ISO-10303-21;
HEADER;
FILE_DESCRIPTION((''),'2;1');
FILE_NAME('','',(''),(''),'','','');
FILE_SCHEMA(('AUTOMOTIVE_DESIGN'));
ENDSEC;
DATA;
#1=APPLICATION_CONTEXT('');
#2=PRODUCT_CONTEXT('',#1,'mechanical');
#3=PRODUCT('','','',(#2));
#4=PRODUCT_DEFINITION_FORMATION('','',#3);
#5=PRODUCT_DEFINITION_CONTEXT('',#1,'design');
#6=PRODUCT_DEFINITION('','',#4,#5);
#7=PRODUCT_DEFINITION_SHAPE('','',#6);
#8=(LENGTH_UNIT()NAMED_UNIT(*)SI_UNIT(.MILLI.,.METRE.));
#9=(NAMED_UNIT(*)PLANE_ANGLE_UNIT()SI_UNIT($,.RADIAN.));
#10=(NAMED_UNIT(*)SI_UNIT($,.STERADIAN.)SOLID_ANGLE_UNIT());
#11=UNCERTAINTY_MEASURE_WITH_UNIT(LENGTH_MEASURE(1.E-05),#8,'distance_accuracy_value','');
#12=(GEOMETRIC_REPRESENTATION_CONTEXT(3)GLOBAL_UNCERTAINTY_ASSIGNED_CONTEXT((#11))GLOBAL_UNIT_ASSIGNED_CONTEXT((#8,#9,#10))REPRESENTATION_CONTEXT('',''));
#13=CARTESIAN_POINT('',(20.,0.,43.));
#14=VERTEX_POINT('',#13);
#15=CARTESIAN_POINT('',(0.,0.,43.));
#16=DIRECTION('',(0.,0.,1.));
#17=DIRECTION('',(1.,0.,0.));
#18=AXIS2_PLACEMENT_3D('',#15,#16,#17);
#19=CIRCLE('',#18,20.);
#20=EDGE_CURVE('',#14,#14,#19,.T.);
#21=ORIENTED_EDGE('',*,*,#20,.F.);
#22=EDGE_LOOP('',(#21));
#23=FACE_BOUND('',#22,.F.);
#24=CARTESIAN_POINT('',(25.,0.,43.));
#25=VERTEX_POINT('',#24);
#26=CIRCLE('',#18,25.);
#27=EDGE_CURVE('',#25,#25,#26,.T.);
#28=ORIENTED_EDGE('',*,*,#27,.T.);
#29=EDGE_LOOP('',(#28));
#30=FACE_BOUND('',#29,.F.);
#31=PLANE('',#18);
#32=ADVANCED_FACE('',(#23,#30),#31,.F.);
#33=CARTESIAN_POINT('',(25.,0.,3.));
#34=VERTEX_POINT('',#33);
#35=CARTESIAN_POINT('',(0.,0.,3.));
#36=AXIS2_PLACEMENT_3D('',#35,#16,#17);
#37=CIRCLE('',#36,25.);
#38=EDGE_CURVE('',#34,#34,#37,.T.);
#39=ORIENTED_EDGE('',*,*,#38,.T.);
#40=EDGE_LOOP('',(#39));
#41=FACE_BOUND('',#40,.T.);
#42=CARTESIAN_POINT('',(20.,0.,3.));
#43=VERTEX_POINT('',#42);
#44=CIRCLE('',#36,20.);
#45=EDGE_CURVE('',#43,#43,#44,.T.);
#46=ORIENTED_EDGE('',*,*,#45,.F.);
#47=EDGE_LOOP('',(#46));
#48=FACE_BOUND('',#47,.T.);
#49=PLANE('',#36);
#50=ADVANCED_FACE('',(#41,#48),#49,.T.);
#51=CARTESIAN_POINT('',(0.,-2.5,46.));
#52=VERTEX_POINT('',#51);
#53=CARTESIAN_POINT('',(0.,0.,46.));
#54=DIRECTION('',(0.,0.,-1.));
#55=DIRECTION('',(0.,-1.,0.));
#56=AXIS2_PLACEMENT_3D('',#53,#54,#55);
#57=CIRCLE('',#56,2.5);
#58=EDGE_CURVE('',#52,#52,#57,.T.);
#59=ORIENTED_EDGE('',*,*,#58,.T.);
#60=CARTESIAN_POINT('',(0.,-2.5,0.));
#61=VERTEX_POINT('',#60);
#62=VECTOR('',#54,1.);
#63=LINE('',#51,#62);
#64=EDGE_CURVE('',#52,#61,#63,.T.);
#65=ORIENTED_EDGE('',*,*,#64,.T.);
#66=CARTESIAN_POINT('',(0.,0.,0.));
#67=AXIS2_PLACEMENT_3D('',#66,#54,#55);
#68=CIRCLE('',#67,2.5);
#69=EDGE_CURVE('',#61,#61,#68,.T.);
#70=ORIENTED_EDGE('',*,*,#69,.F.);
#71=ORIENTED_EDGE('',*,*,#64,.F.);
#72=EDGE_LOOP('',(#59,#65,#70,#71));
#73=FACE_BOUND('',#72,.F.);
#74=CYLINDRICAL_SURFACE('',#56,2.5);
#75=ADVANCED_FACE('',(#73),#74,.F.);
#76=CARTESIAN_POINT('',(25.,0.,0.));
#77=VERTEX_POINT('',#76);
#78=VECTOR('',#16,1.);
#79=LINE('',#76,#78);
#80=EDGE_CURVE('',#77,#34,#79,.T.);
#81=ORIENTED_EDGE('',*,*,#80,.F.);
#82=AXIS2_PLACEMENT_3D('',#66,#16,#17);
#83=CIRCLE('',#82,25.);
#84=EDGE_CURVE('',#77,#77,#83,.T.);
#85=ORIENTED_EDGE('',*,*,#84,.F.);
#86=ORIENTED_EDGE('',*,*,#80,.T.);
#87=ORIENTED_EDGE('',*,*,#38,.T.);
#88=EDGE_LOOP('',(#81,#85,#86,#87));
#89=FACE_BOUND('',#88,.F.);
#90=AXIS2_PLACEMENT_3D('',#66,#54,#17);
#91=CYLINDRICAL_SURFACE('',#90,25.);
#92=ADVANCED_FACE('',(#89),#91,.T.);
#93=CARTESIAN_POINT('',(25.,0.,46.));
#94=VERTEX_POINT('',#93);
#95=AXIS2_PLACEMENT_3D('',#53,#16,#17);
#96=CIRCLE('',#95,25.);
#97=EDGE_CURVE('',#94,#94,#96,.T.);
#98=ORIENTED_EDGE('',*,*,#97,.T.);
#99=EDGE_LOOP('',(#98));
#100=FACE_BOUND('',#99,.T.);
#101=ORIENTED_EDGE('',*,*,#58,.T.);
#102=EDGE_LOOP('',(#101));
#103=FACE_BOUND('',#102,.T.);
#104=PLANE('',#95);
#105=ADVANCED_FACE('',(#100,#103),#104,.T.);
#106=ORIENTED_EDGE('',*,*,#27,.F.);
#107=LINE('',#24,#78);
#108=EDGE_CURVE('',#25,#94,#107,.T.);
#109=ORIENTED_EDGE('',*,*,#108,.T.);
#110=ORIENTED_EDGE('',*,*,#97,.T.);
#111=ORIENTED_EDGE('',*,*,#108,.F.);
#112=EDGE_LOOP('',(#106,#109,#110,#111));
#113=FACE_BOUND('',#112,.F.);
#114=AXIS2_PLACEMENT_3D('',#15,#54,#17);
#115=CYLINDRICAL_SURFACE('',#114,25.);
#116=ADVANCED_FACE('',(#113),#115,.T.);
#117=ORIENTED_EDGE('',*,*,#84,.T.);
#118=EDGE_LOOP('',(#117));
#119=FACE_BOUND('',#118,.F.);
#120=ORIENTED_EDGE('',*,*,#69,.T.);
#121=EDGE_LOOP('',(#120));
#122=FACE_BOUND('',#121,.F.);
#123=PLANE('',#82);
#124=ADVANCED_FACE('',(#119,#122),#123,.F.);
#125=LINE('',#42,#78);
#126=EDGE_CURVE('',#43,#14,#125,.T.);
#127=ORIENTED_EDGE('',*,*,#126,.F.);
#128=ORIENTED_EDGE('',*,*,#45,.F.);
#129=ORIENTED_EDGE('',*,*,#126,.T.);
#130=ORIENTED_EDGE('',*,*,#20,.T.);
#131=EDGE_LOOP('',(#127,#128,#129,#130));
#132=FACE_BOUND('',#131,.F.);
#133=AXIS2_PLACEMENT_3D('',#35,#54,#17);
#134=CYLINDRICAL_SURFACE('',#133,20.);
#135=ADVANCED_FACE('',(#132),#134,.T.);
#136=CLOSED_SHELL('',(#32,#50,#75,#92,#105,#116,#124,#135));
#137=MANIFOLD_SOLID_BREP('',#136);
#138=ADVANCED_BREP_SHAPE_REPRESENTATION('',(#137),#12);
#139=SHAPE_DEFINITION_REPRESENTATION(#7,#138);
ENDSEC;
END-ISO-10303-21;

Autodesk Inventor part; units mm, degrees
ref_plane "YZ Plane" through (0, 0, 0) normal (1, 0, 0) x (0, 1, 0)
ref_plane "XZ Plane" through (0, 0, 0) normal (0, 1, 0) x (-1, 0, 0)
ref_plane "XY Plane" through (0, 0, 0) normal (0, 0, 1) x (1, 0, 0)
sketch "スケッチ1" plane through (0, 0, 0) normal (0, 0, 1) x (1, 0, 0)
  circle A0 centre (0, 0) radius 25
  dimension "d0" = 50
extrude "押し出し1" add sketch "スケッチ1" along normal blind 3
sketch "スケッチ2" plane through (0, 0, 3) normal (0, 0, 1) x (1, 0, 0)
  circle A0 centre (0, 0) radius 20
  dimension "d3" = 40
extrude "押し出し2" add sketch "スケッチ2" along normal blind 40
sketch "スケッチ3" plane through (0, 0, 43) normal (0, 0, 1) x (1, 0, 0)
  circle A0 centre (0, 0) radius 25
  dimension "d6" = 50
extrude "押し出し3" add sketch "スケッチ3" along normal blind 3
sketch "スケッチ4" plane through (0, 0, 46) normal (0, 0, 1) x (1, 0, 0)
  circle A0 centre (0, 0) radius 2.5
  dimension "d9" = 5
hole "穴1" at (0, 0, 46) direction (0, 0, -1) diameter 5 depth 46
equation "\"BendRadius\" = Thickness"
equation "\"BendReliefWidth\" = Thickness"
equation "\"BendReliefDepth\" = 0.5 * Thickness"
equation "\"CornerReliefSize\" = 4 * Thickness"
equation "\"MinimumRemnant\" = 2 * Thickness"
equation "\"TransitionRadius\" = BendRadius"
equation "\"JacobiRadiusSize\" = BendRadius"
equation "\"GapSize\" = Thickness"
equation "\"Thickness\" = 0.5"
properties part number "nhk10"
